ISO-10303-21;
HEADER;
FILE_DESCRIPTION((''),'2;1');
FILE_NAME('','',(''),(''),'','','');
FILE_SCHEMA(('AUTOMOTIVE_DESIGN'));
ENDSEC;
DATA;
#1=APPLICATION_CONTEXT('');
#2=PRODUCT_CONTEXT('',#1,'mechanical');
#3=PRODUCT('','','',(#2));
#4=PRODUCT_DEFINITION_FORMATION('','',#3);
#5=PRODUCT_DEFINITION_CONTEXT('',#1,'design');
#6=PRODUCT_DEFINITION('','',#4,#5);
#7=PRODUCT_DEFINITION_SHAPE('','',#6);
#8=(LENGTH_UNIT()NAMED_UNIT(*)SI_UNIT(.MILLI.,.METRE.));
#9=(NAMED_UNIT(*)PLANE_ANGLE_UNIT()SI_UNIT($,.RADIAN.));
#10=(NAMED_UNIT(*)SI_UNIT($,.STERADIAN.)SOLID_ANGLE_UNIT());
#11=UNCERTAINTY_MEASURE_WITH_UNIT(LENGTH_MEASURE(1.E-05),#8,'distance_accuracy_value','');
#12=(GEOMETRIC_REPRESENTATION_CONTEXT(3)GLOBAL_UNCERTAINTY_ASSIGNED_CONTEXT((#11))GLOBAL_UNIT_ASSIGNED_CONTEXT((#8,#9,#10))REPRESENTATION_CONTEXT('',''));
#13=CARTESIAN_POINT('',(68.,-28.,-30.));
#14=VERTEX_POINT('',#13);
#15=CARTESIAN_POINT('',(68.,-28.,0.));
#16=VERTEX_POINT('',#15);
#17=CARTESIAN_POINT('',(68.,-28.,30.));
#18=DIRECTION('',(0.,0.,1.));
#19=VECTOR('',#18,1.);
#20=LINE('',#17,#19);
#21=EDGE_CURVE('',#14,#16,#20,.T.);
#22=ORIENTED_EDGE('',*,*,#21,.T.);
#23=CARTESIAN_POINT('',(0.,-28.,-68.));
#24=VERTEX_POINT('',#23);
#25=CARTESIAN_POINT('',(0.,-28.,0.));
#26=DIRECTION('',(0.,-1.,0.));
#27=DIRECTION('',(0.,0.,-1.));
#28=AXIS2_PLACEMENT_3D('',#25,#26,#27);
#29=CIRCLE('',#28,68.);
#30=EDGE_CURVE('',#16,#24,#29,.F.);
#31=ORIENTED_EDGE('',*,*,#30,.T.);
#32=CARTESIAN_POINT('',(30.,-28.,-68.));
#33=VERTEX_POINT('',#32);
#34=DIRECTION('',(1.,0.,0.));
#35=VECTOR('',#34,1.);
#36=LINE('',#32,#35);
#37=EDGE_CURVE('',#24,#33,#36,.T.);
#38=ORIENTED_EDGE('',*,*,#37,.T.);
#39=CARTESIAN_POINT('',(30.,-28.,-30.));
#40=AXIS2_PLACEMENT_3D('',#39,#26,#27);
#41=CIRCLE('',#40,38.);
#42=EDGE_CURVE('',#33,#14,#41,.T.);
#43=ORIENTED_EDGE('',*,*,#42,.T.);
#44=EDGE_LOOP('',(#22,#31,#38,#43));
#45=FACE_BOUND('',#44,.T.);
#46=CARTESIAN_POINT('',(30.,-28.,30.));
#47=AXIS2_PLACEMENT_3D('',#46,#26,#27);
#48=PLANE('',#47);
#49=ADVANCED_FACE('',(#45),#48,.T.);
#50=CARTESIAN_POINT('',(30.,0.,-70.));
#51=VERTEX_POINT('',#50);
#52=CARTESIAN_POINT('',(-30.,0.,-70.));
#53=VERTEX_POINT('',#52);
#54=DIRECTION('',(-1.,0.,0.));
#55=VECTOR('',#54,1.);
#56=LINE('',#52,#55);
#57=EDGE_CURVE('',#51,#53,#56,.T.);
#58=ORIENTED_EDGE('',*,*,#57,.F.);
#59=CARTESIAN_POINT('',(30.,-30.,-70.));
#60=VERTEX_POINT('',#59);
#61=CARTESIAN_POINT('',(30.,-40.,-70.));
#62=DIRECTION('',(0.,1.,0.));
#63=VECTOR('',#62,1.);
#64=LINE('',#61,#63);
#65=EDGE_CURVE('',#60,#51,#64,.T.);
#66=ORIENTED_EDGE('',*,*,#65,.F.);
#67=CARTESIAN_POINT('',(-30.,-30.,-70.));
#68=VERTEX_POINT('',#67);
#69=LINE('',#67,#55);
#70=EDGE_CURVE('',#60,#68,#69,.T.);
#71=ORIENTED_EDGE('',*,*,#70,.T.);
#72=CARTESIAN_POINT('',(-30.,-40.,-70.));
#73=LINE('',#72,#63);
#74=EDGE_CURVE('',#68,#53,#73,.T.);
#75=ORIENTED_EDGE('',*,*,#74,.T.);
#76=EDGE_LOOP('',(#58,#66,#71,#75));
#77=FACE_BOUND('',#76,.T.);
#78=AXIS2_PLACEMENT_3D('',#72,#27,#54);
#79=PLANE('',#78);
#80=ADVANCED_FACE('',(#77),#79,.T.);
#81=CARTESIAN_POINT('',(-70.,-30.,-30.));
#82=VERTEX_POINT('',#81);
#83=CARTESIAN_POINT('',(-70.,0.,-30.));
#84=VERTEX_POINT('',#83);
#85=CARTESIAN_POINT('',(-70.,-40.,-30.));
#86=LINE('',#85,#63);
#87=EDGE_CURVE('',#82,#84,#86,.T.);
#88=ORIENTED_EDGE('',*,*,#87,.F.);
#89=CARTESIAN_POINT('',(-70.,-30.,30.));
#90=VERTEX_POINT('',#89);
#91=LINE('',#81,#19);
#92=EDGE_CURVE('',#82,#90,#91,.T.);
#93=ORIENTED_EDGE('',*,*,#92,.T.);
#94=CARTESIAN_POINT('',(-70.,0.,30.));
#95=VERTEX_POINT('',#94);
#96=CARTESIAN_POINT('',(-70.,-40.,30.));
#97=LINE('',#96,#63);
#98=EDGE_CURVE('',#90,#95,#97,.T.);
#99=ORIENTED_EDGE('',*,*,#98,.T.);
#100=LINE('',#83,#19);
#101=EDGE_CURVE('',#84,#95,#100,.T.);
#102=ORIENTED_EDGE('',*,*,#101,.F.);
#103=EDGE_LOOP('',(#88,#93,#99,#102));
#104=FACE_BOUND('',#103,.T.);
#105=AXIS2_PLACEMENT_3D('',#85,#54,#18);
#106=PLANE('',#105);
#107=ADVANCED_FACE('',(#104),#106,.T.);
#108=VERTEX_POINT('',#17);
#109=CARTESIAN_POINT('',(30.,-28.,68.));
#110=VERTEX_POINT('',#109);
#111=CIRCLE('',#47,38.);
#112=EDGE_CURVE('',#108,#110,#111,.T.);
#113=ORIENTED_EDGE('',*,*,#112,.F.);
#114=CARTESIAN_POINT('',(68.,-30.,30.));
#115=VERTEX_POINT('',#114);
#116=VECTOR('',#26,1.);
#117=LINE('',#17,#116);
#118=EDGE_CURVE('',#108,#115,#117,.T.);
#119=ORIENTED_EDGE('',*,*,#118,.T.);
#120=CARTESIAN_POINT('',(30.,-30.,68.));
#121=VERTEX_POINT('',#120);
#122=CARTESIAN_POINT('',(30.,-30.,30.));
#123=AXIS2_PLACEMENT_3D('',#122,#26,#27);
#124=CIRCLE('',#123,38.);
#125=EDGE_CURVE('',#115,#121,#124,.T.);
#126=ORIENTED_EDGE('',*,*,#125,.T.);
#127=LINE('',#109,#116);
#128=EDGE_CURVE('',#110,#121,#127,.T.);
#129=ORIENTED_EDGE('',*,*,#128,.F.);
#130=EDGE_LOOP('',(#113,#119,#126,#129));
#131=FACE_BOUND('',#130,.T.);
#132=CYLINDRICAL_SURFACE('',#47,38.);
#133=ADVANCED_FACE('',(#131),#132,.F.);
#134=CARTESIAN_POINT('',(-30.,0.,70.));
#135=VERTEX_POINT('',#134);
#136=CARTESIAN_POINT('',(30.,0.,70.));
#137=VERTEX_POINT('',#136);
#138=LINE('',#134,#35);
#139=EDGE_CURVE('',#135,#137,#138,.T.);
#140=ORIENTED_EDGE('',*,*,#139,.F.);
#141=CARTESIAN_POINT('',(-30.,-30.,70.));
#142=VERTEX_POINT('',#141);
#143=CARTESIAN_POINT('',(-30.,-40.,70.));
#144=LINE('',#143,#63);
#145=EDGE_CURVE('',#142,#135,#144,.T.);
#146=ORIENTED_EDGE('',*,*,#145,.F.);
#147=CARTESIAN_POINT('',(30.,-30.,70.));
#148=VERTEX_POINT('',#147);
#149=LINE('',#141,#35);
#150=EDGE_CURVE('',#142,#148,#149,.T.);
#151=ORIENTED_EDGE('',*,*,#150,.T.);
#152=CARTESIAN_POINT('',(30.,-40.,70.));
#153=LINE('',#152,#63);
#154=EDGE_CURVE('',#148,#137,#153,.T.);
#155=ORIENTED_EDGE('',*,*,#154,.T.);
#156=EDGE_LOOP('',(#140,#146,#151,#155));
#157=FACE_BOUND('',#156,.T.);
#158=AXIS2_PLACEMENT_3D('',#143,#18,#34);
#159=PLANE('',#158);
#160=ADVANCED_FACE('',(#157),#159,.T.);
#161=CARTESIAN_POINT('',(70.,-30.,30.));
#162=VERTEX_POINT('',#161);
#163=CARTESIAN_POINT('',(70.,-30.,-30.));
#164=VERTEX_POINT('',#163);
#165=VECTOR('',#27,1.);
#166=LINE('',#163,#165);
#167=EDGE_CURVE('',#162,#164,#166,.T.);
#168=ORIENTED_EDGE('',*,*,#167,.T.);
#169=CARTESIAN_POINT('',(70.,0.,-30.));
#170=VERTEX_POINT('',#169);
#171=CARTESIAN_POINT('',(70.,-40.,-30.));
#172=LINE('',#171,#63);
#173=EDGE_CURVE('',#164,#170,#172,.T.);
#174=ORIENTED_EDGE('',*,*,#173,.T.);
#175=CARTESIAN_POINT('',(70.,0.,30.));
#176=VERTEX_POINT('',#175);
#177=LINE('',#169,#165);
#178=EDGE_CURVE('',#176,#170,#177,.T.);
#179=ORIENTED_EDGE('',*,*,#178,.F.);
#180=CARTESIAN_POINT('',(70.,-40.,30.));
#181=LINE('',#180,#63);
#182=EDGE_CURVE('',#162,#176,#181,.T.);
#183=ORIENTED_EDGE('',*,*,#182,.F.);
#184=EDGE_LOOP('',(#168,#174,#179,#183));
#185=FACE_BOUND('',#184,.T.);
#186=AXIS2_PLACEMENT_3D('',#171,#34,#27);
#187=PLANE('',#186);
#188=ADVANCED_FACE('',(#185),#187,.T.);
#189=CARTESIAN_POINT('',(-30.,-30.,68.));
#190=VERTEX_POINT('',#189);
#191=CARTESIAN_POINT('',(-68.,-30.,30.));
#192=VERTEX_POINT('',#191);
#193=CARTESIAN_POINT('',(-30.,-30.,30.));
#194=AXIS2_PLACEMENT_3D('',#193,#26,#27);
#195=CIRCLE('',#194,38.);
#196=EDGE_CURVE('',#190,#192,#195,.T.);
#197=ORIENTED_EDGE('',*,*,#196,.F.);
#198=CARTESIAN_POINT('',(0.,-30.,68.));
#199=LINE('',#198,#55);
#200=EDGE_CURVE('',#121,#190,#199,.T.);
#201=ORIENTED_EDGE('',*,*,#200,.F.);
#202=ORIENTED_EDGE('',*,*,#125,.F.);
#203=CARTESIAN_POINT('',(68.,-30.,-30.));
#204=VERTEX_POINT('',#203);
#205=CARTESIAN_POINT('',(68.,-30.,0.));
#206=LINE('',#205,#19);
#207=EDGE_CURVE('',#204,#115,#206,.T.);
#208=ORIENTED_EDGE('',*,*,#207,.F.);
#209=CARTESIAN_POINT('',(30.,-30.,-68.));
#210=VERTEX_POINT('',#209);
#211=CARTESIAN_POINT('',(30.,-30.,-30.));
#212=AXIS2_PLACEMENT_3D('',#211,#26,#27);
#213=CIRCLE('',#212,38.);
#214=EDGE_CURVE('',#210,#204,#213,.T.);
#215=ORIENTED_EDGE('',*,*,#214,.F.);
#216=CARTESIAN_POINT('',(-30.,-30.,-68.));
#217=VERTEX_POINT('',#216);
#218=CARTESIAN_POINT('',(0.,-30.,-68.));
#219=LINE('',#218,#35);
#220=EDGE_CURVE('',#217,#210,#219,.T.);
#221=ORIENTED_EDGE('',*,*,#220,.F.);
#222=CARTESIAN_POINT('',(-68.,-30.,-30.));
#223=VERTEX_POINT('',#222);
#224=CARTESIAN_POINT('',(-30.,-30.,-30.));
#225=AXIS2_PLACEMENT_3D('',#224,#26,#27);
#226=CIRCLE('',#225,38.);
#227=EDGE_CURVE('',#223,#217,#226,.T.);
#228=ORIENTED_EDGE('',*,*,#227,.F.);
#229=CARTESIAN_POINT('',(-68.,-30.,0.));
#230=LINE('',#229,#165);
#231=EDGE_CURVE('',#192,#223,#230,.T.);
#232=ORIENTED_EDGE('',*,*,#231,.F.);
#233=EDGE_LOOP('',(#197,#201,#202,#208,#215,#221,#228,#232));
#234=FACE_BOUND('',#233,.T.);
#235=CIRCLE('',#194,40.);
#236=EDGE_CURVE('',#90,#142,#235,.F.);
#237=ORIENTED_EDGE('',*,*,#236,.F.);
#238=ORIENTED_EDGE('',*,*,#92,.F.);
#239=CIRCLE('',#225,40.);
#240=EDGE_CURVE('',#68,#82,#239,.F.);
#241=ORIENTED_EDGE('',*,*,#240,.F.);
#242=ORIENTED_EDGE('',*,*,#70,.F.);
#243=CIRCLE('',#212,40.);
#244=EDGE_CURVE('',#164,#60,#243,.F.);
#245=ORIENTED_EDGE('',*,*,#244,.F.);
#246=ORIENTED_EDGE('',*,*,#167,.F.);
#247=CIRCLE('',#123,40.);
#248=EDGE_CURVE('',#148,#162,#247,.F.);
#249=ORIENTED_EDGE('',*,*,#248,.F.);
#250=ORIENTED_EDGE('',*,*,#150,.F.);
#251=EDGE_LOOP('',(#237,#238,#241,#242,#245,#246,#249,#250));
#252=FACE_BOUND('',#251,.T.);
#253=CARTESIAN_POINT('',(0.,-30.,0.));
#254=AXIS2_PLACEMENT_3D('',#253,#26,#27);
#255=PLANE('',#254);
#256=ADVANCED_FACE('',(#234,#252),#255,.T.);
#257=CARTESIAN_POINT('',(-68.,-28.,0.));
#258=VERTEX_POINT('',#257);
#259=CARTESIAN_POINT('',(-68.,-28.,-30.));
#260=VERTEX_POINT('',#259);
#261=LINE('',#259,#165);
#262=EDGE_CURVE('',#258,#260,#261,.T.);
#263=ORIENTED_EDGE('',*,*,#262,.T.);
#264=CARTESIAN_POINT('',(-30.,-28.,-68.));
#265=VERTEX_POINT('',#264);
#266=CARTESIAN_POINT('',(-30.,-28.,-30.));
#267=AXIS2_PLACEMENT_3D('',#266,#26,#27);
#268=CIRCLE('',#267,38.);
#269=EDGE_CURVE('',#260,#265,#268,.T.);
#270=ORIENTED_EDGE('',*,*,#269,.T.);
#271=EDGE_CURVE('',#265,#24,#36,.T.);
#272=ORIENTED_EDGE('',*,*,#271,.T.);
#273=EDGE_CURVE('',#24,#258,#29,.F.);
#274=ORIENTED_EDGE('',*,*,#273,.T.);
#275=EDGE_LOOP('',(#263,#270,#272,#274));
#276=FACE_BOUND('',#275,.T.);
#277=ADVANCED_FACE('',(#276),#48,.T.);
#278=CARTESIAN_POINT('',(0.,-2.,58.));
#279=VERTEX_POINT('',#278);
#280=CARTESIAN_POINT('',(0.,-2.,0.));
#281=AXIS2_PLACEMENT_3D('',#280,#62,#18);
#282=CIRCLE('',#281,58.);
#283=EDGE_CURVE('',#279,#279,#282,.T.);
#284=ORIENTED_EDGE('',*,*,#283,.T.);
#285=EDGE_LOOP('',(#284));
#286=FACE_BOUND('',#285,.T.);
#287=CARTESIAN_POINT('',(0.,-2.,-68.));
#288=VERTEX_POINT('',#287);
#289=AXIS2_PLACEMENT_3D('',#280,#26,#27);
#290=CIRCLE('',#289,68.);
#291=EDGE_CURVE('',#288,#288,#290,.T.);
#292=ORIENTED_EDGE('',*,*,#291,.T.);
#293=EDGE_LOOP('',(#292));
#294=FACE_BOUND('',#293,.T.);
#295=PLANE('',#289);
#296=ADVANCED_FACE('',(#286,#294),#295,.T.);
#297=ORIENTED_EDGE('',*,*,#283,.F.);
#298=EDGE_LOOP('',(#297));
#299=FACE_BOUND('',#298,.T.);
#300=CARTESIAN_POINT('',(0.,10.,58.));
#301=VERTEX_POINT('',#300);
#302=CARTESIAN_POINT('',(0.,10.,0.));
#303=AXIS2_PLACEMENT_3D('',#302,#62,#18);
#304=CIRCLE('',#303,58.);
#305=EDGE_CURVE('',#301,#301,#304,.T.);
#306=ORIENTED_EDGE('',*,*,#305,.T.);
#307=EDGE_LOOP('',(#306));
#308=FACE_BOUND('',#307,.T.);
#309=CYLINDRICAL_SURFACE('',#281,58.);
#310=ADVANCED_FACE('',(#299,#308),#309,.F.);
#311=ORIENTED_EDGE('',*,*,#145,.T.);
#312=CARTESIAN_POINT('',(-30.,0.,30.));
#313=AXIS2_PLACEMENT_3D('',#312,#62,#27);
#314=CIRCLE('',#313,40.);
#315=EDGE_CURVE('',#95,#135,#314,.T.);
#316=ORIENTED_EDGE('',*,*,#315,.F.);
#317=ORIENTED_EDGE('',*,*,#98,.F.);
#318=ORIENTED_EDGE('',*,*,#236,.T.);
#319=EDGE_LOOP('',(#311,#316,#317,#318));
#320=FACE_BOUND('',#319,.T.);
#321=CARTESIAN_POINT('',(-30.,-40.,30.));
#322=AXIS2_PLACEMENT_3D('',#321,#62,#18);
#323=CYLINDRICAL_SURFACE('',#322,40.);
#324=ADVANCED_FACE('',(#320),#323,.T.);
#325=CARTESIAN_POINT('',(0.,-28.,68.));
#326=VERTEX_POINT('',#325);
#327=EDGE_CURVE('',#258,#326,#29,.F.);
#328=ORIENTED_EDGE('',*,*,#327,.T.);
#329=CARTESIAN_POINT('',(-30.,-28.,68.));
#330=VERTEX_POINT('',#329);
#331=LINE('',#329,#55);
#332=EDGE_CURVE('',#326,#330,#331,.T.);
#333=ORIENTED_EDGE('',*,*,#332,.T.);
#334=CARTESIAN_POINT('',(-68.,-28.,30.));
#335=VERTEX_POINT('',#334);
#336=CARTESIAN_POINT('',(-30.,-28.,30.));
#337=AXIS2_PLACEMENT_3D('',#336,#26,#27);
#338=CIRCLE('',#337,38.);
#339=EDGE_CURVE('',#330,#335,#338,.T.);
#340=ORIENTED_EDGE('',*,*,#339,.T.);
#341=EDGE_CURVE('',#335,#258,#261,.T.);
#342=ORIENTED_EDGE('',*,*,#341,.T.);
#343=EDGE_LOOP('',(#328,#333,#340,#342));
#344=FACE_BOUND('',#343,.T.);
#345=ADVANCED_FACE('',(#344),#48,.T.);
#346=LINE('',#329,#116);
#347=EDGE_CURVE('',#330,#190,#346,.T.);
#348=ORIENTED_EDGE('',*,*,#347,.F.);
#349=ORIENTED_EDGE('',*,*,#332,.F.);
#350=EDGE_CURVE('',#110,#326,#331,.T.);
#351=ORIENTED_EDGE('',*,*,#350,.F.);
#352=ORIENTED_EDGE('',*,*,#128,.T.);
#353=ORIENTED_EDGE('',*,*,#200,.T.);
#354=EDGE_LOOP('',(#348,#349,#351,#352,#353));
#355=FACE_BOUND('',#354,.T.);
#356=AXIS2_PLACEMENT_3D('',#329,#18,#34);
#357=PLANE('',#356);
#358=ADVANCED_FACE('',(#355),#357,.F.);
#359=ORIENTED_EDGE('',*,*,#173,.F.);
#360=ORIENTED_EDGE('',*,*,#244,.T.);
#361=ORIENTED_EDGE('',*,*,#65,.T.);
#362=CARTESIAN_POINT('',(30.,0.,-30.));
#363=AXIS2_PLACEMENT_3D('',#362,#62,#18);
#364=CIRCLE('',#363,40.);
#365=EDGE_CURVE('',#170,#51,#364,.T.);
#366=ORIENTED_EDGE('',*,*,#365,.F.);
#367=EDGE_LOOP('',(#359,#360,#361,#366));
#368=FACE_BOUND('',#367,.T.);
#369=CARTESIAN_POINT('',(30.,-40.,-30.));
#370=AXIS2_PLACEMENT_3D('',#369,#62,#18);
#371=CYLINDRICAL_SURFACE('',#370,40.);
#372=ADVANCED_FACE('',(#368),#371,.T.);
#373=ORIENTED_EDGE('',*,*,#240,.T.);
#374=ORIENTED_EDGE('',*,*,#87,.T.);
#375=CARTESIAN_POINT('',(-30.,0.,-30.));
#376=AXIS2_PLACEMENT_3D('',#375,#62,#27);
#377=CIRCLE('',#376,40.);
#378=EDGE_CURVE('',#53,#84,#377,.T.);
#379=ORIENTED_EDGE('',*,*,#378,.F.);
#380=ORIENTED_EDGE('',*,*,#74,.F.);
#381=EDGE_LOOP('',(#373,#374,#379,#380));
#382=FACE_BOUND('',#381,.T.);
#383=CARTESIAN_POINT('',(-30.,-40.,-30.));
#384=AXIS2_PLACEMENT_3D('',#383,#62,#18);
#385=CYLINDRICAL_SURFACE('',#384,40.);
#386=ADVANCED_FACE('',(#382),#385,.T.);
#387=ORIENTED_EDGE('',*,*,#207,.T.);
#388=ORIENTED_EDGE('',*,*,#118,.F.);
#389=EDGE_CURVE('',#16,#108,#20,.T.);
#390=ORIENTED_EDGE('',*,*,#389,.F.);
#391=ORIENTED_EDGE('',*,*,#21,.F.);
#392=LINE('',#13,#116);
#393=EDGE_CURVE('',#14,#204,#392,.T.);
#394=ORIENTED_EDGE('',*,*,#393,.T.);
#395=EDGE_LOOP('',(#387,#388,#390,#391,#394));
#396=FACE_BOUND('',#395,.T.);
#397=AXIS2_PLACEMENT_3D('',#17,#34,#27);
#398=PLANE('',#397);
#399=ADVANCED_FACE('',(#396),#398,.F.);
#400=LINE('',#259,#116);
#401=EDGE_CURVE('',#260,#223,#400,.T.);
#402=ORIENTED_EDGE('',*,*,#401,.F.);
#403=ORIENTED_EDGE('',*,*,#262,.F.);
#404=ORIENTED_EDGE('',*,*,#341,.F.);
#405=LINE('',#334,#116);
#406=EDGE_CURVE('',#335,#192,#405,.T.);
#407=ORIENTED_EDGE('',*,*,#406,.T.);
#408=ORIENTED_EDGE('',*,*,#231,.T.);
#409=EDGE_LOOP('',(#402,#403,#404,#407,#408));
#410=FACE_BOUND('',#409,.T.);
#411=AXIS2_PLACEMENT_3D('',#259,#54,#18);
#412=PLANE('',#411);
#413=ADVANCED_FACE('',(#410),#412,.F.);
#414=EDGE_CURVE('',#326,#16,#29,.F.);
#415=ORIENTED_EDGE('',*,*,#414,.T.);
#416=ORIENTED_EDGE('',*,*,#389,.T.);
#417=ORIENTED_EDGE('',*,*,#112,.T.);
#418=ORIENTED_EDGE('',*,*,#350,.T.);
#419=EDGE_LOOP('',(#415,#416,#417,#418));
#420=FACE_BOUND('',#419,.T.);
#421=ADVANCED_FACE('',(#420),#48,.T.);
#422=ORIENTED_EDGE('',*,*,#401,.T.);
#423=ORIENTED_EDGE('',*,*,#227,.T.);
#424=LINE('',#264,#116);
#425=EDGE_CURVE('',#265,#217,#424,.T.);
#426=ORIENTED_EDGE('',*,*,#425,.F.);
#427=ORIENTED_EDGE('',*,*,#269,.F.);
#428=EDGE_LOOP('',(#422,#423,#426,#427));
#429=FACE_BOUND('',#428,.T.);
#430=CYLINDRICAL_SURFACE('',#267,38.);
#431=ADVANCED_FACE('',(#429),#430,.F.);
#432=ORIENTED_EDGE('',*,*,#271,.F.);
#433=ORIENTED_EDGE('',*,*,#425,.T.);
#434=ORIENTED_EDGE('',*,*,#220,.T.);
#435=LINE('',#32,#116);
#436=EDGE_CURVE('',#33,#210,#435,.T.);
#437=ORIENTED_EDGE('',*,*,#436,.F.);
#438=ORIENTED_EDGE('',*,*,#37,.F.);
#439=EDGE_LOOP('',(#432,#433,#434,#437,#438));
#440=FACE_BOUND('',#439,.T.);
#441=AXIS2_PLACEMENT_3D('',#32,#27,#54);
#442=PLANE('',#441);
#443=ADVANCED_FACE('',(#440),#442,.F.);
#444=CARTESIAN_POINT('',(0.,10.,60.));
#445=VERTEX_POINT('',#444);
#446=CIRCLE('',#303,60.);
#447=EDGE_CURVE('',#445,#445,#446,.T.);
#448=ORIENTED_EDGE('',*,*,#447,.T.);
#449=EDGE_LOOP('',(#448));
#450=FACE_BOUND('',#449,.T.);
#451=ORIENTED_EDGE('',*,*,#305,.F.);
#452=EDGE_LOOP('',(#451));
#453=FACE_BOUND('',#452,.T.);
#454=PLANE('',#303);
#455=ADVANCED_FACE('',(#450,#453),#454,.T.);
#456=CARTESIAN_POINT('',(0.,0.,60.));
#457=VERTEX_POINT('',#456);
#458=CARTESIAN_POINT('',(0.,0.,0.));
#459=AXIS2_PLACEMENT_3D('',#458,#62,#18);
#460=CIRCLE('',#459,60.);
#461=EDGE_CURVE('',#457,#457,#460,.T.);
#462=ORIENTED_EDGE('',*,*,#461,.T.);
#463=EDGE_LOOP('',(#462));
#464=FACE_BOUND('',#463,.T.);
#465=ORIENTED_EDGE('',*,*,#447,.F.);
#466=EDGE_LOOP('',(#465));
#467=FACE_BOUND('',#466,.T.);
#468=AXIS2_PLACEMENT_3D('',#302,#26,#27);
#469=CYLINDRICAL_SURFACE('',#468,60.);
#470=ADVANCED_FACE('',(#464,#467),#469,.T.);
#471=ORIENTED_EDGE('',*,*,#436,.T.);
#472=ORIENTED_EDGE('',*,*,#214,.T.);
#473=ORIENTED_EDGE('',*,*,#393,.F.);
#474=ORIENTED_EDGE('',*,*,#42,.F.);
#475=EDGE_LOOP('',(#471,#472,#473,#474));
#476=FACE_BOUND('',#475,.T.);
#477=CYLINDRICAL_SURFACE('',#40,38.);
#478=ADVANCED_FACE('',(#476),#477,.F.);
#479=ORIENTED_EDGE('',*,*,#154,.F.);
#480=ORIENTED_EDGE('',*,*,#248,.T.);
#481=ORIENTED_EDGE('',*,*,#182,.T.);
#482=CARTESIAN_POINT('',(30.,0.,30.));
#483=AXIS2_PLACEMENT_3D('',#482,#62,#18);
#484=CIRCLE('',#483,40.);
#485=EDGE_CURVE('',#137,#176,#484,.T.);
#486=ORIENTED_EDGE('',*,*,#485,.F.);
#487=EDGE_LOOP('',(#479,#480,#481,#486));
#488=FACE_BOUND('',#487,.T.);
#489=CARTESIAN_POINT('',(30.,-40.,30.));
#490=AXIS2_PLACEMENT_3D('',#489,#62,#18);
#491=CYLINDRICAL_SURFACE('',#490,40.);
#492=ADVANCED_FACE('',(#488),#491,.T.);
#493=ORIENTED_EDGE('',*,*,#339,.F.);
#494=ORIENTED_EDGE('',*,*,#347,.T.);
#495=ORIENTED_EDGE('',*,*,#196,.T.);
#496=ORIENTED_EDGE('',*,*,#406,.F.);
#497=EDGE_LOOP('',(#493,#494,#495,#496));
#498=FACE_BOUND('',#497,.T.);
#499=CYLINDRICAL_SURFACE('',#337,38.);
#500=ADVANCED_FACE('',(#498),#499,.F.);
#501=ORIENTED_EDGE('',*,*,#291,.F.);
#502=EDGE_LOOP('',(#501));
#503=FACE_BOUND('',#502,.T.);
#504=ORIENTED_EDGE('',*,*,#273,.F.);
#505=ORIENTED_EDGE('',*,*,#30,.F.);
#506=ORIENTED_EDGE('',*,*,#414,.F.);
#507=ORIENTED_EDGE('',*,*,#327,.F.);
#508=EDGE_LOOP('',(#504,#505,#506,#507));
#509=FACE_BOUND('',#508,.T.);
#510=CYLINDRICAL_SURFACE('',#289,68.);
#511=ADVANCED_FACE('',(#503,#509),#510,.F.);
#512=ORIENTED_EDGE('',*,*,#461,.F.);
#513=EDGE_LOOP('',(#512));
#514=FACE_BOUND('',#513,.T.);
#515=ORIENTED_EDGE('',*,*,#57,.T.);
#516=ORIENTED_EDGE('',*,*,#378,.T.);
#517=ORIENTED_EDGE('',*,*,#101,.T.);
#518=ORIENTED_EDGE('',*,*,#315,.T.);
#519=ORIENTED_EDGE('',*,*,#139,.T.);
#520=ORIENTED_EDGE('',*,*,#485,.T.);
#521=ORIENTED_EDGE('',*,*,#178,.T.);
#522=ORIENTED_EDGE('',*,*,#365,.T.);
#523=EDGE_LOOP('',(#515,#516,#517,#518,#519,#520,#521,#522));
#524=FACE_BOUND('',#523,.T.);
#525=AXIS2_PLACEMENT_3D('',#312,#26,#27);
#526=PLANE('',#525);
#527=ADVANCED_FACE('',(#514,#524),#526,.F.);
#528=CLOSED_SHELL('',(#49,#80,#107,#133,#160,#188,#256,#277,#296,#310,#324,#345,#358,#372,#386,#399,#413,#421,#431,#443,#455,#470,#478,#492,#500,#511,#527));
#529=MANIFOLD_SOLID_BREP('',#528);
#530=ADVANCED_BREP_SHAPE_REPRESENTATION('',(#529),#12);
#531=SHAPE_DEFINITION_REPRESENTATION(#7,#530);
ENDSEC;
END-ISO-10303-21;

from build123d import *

# Parameters (mm, degrees)
BOSS_EXTRUDE1_DEPTH = 40
SKETCH2_R           = 60
BOSS_EXTRUDE2_DEPTH = 10
SKETCH3_R           = 58
CUT_EXTRUDE1_DEPTH  = 12
SKETCH5_R           = 68
CUT_EXTRUDE3_DEPTH  = 38
SKETCH7_W           = 152.426139127
SKETCH7_H           = 144.716969628
CUT_EXTRUDE4_DEPTH  = 10
CUT_EXTRUDE6_DEPTH  = 2


with BuildPart() as part:
    # Sketch1 → Boss-Extrude1 (new body)
    with BuildSketch(Plane(origin=(0, 0, 0), x_dir=(1, 0, 0), z_dir=(0, 1, 0))):
        with BuildLine():
            Line((-30, 70), (30, 70))
            ThreePointArc((30, 70), (58.284271247, 58.284271247), (70, 30))
            Line((70, 30), (70, -30))
            ThreePointArc((70, -30), (58.284271247, -58.284271247), (30, -70))
            Line((30, -70), (-30, -70))
            ThreePointArc((-30, -70), (-58.284271247, -58.284271247), (-70, -30))
            Line((-70, -30), (-70, 30))
            ThreePointArc((-70, 30), (-58.284271247, 58.284271247), (-30, 70))
        make_face()
    extrude(amount=-BOSS_EXTRUDE1_DEPTH)

    # Sketch2 → Boss-Extrude2 (add)
    with BuildSketch(Plane(origin=(0, 0, 0), x_dir=(1, 0, 0), z_dir=(0, 1, 0))):
        with Locations(Location((0, 0, 0), (0, 0, 270))):
            Circle(SKETCH2_R)
    extrude(amount=BOSS_EXTRUDE2_DEPTH)

    # Sketch3 → Cut-Extrude1 (cut)
    with BuildSketch(Plane(origin=(0, 10, 0), x_dir=(1, 0, 0), z_dir=(0, 1, 0))):
        with Locations(Location((0, 0, 0), (0, 0, 270))):
            Circle(SKETCH3_R)
    extrude(amount=-CUT_EXTRUDE1_DEPTH, mode=Mode.SUBTRACT)

    # Sketch5 → Cut-Extrude3 (cut)
    with BuildSketch(Plane.XZ.offset(40)):
        with Locations(Location((0, 0, 0), (0, 0, 270))):
            Circle(SKETCH5_R)
    extrude(amount=-CUT_EXTRUDE3_DEPTH, mode=Mode.SUBTRACT)

    # Sketch7 → Cut-Extrude4 (cut)
    with BuildSketch(Plane.XZ.offset(40)):
        with Locations((-0.48756258, -1.365678106)):
            Rectangle(SKETCH7_W, SKETCH7_H)
    extrude(amount=-CUT_EXTRUDE4_DEPTH, mode=Mode.SUBTRACT)

    # Sketch8 → Cut-Extrude6 (cut)
    with BuildSketch(Plane.XZ.offset(30)):
        with BuildLine():
            Line((68, 30), (68, -30))
            ThreePointArc((68, -30), (56.870057685, -56.870057685), (30, -68))
            Line((30, -68), (-30, -68))
            ThreePointArc((-30, -68), (-56.870057685, -56.870057685), (-68, -30))
            Line((-68, -30), (-68, 30))
            ThreePointArc((-68, 30), (-56.870057685, 56.870057685), (-30, 68))
            Line((-30, 68), (30, 68))
            ThreePointArc((30, 68), (56.870057685, 56.870057685), (68, 30))
        make_face()
    extrude(amount=-CUT_EXTRUDE6_DEPTH, mode=Mode.SUBTRACT)


solid = part.part
